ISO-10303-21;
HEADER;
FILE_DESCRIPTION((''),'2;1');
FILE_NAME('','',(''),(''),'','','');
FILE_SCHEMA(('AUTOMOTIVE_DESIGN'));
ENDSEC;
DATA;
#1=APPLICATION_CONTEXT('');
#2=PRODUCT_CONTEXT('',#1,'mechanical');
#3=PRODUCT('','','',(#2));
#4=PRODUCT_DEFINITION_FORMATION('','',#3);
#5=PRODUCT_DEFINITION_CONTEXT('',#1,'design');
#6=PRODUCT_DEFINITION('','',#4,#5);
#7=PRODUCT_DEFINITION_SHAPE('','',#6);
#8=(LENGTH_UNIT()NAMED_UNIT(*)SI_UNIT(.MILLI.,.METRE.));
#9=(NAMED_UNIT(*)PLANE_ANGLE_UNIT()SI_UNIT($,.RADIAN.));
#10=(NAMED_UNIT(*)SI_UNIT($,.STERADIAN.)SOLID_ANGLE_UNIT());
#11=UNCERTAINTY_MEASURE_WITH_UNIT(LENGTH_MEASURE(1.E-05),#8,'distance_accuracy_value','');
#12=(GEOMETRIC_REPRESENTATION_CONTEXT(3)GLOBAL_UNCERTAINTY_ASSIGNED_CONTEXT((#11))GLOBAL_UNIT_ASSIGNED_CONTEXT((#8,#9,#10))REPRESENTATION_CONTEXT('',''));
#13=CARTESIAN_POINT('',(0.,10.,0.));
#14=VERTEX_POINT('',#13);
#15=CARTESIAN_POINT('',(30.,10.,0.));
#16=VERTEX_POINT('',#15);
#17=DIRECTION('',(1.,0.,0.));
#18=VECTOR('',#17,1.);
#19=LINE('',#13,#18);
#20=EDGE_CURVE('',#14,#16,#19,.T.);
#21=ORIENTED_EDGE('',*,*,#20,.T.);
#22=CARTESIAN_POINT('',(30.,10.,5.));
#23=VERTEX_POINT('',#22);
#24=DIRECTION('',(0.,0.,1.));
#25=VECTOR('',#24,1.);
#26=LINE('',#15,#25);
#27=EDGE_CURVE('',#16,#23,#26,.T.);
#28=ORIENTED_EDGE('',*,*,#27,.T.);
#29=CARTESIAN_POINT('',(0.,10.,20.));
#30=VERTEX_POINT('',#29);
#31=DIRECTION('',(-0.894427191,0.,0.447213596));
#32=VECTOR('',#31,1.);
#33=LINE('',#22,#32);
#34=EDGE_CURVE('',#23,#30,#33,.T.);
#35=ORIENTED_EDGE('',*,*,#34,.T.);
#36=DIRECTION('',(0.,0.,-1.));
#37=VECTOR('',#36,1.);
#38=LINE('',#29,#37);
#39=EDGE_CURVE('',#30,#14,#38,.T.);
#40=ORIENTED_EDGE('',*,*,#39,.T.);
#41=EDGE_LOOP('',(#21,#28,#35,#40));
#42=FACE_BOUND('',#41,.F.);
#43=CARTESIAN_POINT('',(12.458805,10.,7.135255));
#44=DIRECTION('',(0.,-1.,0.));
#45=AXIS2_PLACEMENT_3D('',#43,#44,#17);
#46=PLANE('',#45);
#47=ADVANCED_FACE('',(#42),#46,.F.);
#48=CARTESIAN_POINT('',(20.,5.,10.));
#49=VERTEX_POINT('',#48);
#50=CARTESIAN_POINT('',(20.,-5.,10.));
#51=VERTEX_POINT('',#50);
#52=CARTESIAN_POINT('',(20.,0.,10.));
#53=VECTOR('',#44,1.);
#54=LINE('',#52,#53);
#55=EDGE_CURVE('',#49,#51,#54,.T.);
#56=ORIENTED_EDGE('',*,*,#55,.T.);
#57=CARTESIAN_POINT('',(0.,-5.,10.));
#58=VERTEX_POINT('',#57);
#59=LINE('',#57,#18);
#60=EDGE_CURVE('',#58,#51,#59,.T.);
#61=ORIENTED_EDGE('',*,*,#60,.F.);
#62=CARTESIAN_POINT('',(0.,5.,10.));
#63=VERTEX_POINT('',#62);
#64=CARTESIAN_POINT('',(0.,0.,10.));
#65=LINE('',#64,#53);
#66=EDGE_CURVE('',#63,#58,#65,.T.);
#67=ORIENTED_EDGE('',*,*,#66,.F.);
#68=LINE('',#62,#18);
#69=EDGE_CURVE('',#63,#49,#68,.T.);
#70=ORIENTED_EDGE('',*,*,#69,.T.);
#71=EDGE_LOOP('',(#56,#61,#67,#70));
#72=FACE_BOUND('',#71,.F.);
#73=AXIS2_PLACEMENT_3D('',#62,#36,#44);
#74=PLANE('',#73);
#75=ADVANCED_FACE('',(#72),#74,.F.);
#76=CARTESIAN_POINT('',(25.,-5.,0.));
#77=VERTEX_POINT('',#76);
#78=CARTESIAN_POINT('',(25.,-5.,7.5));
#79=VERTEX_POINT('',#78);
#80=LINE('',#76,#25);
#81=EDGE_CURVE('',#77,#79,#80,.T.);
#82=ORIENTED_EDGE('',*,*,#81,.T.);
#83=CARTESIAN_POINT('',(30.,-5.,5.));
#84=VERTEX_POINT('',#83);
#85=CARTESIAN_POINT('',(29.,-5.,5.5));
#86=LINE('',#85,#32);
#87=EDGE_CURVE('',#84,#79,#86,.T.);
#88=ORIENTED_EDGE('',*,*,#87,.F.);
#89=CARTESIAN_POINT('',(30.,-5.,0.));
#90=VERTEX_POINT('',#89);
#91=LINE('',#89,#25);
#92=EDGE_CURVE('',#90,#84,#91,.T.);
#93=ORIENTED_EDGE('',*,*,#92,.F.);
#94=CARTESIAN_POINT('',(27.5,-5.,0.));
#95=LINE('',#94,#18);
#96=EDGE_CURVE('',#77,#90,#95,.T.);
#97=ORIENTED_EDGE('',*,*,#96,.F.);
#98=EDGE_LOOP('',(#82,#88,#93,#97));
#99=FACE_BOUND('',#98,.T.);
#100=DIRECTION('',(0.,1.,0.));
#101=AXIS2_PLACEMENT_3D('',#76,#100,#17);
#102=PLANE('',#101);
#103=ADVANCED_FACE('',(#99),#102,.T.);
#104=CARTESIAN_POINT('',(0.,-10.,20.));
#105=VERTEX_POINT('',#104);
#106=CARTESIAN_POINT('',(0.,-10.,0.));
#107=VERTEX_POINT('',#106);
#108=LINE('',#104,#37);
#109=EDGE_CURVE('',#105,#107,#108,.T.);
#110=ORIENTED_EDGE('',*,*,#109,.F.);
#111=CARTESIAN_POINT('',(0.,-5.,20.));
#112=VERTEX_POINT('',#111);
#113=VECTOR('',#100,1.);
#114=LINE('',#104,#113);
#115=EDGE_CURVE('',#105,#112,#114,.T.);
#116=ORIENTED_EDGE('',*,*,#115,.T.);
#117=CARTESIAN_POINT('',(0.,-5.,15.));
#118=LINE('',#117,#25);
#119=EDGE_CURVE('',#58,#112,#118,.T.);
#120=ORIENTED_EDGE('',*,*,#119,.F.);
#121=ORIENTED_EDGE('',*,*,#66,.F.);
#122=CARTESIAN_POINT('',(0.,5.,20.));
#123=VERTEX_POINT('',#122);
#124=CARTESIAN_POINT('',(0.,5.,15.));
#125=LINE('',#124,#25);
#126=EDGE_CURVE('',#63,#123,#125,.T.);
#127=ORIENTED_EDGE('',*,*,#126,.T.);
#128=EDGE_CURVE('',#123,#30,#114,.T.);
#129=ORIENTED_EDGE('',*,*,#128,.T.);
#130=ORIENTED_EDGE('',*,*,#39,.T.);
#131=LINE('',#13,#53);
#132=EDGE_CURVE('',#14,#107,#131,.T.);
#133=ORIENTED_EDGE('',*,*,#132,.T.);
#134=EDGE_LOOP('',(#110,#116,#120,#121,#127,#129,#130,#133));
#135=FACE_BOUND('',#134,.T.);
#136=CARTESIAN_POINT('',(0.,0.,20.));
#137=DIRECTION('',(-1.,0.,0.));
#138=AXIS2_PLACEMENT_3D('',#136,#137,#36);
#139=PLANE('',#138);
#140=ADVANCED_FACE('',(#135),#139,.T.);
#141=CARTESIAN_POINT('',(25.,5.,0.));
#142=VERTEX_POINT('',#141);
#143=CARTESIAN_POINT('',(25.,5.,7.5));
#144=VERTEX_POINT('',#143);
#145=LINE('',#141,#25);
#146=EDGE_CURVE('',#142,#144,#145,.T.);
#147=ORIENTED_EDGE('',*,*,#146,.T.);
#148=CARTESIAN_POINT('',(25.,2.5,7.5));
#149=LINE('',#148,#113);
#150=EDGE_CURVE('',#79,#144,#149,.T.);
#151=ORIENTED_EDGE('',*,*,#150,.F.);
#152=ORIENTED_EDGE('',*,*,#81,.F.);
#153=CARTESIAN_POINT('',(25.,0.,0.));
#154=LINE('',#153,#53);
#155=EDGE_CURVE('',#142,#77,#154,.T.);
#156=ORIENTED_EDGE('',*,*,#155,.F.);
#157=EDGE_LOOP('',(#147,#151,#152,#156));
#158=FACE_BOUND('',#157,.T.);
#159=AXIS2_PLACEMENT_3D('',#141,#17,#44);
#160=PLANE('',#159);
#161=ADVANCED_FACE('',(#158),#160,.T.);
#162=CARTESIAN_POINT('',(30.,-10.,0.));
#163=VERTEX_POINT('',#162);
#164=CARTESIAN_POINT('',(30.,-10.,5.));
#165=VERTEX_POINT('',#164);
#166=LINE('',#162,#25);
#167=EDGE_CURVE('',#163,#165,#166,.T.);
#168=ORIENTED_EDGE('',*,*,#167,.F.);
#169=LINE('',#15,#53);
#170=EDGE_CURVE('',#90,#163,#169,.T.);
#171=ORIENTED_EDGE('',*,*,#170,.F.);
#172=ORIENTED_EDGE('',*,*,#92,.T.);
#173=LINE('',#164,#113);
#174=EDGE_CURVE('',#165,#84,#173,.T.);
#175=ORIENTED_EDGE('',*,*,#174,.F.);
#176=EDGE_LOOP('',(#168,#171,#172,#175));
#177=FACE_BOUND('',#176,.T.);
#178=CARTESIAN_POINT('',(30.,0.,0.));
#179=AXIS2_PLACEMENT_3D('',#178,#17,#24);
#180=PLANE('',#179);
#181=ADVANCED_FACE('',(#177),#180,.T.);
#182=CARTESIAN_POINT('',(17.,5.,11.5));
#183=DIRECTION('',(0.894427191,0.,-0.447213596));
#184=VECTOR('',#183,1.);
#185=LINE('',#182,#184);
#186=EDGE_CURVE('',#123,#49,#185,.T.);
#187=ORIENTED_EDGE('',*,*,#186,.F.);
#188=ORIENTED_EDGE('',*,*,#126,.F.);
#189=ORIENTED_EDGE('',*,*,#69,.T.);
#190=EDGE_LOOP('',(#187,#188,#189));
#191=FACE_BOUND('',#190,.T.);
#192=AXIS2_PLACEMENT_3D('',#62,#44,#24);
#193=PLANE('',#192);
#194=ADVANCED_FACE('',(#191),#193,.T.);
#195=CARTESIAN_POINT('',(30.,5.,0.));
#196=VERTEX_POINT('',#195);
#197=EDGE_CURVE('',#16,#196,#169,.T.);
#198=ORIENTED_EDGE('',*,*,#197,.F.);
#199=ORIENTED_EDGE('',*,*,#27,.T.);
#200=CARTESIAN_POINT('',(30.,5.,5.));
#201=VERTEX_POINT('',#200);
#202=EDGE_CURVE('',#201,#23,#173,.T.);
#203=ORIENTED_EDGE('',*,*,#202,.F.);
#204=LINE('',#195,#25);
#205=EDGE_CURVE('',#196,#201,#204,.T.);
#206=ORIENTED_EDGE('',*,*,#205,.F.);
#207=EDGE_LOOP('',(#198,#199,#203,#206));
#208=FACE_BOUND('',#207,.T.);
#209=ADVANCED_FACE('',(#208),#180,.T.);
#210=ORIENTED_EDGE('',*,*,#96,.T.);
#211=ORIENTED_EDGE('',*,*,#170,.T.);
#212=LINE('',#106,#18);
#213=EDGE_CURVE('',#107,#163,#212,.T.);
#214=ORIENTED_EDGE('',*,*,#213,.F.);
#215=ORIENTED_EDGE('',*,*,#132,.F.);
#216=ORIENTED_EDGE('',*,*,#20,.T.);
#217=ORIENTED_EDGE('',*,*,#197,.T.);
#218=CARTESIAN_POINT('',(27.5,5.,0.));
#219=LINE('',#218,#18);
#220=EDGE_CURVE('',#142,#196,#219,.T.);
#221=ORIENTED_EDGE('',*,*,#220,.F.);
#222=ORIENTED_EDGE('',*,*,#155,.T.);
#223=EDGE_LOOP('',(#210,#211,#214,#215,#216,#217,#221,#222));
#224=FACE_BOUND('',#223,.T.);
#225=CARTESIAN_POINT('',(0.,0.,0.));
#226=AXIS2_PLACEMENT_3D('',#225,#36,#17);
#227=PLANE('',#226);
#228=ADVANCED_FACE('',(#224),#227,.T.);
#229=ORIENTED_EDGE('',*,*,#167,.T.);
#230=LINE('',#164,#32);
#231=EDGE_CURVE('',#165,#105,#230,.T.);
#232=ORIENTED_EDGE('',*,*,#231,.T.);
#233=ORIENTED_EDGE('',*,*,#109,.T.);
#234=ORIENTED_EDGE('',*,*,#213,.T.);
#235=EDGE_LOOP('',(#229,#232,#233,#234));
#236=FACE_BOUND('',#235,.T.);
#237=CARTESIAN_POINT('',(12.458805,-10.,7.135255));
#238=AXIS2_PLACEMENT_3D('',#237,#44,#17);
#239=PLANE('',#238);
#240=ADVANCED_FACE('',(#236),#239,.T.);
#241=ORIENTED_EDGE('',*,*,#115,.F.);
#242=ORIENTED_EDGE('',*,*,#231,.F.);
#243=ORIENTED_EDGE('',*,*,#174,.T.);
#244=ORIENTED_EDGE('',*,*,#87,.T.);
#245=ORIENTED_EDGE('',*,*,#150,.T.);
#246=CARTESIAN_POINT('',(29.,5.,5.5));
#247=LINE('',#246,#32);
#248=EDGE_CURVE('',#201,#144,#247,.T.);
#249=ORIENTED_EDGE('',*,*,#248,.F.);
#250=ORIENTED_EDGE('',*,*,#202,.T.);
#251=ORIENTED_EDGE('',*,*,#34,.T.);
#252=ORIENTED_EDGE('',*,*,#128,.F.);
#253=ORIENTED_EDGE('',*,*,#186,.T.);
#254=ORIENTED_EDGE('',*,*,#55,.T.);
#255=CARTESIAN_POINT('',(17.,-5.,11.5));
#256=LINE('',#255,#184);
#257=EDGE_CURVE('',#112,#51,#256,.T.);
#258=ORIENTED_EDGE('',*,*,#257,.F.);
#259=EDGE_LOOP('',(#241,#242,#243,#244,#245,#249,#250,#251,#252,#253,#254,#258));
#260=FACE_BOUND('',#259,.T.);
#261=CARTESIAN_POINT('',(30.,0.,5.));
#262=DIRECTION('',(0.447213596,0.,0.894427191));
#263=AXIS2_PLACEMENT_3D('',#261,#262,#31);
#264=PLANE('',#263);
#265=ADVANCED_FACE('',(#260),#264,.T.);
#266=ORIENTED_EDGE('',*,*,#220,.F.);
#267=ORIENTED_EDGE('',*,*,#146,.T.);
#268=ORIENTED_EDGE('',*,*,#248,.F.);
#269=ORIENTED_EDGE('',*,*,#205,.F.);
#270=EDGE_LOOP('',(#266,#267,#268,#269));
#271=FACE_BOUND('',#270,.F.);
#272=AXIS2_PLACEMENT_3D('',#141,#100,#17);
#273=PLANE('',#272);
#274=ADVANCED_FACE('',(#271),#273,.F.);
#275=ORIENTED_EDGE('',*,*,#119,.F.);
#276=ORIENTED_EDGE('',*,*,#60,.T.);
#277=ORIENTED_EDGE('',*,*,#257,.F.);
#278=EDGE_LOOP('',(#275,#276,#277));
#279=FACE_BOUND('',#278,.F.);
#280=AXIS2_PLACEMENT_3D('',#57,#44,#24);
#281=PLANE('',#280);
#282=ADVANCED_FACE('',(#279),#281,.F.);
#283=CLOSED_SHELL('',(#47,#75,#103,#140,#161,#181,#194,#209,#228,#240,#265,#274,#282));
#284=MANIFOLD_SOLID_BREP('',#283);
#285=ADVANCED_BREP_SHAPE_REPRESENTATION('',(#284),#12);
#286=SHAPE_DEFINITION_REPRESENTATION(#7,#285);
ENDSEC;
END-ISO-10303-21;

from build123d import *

# Parameters (mm, degrees)
F1_DEPTH = 10
F2_W     = 10
F2_H     = 10
F3_DEPTH = 20
F4_W     = 5
F4_H     = 10
F5_DEPTH = 25


with BuildPart() as f1:
    # F0 (on Front) → F1 (new body, symmetric)
    with BuildSketch(Plane.XZ):
        Polygon((0, 20), (0, 0), (30, 0), (30, 5), align=None)
    extrude(amount=F1_DEPTH, both=True)

    # F2 (on face) → F3 (cut)
    with BuildSketch(Plane(origin=(0, 0, 0), x_dir=(0, -1, 0), z_dir=(-1, 0, 0))):
        with Locations((0, 15)):
            Rectangle(F2_W, F2_H)
    extrude(amount=-F3_DEPTH, mode=Mode.SUBTRACT)

    # F4 (on face) → F5 (cut)
    with BuildSketch(Plane(origin=(0, 0, 0), x_dir=(1, 0, 0), z_dir=(0, 0, -1))):
        with Locations((27.5, 0)):
            Rectangle(F4_W, F4_H)
    extrude(amount=-F5_DEPTH, mode=Mode.SUBTRACT)


solid = f1.part
